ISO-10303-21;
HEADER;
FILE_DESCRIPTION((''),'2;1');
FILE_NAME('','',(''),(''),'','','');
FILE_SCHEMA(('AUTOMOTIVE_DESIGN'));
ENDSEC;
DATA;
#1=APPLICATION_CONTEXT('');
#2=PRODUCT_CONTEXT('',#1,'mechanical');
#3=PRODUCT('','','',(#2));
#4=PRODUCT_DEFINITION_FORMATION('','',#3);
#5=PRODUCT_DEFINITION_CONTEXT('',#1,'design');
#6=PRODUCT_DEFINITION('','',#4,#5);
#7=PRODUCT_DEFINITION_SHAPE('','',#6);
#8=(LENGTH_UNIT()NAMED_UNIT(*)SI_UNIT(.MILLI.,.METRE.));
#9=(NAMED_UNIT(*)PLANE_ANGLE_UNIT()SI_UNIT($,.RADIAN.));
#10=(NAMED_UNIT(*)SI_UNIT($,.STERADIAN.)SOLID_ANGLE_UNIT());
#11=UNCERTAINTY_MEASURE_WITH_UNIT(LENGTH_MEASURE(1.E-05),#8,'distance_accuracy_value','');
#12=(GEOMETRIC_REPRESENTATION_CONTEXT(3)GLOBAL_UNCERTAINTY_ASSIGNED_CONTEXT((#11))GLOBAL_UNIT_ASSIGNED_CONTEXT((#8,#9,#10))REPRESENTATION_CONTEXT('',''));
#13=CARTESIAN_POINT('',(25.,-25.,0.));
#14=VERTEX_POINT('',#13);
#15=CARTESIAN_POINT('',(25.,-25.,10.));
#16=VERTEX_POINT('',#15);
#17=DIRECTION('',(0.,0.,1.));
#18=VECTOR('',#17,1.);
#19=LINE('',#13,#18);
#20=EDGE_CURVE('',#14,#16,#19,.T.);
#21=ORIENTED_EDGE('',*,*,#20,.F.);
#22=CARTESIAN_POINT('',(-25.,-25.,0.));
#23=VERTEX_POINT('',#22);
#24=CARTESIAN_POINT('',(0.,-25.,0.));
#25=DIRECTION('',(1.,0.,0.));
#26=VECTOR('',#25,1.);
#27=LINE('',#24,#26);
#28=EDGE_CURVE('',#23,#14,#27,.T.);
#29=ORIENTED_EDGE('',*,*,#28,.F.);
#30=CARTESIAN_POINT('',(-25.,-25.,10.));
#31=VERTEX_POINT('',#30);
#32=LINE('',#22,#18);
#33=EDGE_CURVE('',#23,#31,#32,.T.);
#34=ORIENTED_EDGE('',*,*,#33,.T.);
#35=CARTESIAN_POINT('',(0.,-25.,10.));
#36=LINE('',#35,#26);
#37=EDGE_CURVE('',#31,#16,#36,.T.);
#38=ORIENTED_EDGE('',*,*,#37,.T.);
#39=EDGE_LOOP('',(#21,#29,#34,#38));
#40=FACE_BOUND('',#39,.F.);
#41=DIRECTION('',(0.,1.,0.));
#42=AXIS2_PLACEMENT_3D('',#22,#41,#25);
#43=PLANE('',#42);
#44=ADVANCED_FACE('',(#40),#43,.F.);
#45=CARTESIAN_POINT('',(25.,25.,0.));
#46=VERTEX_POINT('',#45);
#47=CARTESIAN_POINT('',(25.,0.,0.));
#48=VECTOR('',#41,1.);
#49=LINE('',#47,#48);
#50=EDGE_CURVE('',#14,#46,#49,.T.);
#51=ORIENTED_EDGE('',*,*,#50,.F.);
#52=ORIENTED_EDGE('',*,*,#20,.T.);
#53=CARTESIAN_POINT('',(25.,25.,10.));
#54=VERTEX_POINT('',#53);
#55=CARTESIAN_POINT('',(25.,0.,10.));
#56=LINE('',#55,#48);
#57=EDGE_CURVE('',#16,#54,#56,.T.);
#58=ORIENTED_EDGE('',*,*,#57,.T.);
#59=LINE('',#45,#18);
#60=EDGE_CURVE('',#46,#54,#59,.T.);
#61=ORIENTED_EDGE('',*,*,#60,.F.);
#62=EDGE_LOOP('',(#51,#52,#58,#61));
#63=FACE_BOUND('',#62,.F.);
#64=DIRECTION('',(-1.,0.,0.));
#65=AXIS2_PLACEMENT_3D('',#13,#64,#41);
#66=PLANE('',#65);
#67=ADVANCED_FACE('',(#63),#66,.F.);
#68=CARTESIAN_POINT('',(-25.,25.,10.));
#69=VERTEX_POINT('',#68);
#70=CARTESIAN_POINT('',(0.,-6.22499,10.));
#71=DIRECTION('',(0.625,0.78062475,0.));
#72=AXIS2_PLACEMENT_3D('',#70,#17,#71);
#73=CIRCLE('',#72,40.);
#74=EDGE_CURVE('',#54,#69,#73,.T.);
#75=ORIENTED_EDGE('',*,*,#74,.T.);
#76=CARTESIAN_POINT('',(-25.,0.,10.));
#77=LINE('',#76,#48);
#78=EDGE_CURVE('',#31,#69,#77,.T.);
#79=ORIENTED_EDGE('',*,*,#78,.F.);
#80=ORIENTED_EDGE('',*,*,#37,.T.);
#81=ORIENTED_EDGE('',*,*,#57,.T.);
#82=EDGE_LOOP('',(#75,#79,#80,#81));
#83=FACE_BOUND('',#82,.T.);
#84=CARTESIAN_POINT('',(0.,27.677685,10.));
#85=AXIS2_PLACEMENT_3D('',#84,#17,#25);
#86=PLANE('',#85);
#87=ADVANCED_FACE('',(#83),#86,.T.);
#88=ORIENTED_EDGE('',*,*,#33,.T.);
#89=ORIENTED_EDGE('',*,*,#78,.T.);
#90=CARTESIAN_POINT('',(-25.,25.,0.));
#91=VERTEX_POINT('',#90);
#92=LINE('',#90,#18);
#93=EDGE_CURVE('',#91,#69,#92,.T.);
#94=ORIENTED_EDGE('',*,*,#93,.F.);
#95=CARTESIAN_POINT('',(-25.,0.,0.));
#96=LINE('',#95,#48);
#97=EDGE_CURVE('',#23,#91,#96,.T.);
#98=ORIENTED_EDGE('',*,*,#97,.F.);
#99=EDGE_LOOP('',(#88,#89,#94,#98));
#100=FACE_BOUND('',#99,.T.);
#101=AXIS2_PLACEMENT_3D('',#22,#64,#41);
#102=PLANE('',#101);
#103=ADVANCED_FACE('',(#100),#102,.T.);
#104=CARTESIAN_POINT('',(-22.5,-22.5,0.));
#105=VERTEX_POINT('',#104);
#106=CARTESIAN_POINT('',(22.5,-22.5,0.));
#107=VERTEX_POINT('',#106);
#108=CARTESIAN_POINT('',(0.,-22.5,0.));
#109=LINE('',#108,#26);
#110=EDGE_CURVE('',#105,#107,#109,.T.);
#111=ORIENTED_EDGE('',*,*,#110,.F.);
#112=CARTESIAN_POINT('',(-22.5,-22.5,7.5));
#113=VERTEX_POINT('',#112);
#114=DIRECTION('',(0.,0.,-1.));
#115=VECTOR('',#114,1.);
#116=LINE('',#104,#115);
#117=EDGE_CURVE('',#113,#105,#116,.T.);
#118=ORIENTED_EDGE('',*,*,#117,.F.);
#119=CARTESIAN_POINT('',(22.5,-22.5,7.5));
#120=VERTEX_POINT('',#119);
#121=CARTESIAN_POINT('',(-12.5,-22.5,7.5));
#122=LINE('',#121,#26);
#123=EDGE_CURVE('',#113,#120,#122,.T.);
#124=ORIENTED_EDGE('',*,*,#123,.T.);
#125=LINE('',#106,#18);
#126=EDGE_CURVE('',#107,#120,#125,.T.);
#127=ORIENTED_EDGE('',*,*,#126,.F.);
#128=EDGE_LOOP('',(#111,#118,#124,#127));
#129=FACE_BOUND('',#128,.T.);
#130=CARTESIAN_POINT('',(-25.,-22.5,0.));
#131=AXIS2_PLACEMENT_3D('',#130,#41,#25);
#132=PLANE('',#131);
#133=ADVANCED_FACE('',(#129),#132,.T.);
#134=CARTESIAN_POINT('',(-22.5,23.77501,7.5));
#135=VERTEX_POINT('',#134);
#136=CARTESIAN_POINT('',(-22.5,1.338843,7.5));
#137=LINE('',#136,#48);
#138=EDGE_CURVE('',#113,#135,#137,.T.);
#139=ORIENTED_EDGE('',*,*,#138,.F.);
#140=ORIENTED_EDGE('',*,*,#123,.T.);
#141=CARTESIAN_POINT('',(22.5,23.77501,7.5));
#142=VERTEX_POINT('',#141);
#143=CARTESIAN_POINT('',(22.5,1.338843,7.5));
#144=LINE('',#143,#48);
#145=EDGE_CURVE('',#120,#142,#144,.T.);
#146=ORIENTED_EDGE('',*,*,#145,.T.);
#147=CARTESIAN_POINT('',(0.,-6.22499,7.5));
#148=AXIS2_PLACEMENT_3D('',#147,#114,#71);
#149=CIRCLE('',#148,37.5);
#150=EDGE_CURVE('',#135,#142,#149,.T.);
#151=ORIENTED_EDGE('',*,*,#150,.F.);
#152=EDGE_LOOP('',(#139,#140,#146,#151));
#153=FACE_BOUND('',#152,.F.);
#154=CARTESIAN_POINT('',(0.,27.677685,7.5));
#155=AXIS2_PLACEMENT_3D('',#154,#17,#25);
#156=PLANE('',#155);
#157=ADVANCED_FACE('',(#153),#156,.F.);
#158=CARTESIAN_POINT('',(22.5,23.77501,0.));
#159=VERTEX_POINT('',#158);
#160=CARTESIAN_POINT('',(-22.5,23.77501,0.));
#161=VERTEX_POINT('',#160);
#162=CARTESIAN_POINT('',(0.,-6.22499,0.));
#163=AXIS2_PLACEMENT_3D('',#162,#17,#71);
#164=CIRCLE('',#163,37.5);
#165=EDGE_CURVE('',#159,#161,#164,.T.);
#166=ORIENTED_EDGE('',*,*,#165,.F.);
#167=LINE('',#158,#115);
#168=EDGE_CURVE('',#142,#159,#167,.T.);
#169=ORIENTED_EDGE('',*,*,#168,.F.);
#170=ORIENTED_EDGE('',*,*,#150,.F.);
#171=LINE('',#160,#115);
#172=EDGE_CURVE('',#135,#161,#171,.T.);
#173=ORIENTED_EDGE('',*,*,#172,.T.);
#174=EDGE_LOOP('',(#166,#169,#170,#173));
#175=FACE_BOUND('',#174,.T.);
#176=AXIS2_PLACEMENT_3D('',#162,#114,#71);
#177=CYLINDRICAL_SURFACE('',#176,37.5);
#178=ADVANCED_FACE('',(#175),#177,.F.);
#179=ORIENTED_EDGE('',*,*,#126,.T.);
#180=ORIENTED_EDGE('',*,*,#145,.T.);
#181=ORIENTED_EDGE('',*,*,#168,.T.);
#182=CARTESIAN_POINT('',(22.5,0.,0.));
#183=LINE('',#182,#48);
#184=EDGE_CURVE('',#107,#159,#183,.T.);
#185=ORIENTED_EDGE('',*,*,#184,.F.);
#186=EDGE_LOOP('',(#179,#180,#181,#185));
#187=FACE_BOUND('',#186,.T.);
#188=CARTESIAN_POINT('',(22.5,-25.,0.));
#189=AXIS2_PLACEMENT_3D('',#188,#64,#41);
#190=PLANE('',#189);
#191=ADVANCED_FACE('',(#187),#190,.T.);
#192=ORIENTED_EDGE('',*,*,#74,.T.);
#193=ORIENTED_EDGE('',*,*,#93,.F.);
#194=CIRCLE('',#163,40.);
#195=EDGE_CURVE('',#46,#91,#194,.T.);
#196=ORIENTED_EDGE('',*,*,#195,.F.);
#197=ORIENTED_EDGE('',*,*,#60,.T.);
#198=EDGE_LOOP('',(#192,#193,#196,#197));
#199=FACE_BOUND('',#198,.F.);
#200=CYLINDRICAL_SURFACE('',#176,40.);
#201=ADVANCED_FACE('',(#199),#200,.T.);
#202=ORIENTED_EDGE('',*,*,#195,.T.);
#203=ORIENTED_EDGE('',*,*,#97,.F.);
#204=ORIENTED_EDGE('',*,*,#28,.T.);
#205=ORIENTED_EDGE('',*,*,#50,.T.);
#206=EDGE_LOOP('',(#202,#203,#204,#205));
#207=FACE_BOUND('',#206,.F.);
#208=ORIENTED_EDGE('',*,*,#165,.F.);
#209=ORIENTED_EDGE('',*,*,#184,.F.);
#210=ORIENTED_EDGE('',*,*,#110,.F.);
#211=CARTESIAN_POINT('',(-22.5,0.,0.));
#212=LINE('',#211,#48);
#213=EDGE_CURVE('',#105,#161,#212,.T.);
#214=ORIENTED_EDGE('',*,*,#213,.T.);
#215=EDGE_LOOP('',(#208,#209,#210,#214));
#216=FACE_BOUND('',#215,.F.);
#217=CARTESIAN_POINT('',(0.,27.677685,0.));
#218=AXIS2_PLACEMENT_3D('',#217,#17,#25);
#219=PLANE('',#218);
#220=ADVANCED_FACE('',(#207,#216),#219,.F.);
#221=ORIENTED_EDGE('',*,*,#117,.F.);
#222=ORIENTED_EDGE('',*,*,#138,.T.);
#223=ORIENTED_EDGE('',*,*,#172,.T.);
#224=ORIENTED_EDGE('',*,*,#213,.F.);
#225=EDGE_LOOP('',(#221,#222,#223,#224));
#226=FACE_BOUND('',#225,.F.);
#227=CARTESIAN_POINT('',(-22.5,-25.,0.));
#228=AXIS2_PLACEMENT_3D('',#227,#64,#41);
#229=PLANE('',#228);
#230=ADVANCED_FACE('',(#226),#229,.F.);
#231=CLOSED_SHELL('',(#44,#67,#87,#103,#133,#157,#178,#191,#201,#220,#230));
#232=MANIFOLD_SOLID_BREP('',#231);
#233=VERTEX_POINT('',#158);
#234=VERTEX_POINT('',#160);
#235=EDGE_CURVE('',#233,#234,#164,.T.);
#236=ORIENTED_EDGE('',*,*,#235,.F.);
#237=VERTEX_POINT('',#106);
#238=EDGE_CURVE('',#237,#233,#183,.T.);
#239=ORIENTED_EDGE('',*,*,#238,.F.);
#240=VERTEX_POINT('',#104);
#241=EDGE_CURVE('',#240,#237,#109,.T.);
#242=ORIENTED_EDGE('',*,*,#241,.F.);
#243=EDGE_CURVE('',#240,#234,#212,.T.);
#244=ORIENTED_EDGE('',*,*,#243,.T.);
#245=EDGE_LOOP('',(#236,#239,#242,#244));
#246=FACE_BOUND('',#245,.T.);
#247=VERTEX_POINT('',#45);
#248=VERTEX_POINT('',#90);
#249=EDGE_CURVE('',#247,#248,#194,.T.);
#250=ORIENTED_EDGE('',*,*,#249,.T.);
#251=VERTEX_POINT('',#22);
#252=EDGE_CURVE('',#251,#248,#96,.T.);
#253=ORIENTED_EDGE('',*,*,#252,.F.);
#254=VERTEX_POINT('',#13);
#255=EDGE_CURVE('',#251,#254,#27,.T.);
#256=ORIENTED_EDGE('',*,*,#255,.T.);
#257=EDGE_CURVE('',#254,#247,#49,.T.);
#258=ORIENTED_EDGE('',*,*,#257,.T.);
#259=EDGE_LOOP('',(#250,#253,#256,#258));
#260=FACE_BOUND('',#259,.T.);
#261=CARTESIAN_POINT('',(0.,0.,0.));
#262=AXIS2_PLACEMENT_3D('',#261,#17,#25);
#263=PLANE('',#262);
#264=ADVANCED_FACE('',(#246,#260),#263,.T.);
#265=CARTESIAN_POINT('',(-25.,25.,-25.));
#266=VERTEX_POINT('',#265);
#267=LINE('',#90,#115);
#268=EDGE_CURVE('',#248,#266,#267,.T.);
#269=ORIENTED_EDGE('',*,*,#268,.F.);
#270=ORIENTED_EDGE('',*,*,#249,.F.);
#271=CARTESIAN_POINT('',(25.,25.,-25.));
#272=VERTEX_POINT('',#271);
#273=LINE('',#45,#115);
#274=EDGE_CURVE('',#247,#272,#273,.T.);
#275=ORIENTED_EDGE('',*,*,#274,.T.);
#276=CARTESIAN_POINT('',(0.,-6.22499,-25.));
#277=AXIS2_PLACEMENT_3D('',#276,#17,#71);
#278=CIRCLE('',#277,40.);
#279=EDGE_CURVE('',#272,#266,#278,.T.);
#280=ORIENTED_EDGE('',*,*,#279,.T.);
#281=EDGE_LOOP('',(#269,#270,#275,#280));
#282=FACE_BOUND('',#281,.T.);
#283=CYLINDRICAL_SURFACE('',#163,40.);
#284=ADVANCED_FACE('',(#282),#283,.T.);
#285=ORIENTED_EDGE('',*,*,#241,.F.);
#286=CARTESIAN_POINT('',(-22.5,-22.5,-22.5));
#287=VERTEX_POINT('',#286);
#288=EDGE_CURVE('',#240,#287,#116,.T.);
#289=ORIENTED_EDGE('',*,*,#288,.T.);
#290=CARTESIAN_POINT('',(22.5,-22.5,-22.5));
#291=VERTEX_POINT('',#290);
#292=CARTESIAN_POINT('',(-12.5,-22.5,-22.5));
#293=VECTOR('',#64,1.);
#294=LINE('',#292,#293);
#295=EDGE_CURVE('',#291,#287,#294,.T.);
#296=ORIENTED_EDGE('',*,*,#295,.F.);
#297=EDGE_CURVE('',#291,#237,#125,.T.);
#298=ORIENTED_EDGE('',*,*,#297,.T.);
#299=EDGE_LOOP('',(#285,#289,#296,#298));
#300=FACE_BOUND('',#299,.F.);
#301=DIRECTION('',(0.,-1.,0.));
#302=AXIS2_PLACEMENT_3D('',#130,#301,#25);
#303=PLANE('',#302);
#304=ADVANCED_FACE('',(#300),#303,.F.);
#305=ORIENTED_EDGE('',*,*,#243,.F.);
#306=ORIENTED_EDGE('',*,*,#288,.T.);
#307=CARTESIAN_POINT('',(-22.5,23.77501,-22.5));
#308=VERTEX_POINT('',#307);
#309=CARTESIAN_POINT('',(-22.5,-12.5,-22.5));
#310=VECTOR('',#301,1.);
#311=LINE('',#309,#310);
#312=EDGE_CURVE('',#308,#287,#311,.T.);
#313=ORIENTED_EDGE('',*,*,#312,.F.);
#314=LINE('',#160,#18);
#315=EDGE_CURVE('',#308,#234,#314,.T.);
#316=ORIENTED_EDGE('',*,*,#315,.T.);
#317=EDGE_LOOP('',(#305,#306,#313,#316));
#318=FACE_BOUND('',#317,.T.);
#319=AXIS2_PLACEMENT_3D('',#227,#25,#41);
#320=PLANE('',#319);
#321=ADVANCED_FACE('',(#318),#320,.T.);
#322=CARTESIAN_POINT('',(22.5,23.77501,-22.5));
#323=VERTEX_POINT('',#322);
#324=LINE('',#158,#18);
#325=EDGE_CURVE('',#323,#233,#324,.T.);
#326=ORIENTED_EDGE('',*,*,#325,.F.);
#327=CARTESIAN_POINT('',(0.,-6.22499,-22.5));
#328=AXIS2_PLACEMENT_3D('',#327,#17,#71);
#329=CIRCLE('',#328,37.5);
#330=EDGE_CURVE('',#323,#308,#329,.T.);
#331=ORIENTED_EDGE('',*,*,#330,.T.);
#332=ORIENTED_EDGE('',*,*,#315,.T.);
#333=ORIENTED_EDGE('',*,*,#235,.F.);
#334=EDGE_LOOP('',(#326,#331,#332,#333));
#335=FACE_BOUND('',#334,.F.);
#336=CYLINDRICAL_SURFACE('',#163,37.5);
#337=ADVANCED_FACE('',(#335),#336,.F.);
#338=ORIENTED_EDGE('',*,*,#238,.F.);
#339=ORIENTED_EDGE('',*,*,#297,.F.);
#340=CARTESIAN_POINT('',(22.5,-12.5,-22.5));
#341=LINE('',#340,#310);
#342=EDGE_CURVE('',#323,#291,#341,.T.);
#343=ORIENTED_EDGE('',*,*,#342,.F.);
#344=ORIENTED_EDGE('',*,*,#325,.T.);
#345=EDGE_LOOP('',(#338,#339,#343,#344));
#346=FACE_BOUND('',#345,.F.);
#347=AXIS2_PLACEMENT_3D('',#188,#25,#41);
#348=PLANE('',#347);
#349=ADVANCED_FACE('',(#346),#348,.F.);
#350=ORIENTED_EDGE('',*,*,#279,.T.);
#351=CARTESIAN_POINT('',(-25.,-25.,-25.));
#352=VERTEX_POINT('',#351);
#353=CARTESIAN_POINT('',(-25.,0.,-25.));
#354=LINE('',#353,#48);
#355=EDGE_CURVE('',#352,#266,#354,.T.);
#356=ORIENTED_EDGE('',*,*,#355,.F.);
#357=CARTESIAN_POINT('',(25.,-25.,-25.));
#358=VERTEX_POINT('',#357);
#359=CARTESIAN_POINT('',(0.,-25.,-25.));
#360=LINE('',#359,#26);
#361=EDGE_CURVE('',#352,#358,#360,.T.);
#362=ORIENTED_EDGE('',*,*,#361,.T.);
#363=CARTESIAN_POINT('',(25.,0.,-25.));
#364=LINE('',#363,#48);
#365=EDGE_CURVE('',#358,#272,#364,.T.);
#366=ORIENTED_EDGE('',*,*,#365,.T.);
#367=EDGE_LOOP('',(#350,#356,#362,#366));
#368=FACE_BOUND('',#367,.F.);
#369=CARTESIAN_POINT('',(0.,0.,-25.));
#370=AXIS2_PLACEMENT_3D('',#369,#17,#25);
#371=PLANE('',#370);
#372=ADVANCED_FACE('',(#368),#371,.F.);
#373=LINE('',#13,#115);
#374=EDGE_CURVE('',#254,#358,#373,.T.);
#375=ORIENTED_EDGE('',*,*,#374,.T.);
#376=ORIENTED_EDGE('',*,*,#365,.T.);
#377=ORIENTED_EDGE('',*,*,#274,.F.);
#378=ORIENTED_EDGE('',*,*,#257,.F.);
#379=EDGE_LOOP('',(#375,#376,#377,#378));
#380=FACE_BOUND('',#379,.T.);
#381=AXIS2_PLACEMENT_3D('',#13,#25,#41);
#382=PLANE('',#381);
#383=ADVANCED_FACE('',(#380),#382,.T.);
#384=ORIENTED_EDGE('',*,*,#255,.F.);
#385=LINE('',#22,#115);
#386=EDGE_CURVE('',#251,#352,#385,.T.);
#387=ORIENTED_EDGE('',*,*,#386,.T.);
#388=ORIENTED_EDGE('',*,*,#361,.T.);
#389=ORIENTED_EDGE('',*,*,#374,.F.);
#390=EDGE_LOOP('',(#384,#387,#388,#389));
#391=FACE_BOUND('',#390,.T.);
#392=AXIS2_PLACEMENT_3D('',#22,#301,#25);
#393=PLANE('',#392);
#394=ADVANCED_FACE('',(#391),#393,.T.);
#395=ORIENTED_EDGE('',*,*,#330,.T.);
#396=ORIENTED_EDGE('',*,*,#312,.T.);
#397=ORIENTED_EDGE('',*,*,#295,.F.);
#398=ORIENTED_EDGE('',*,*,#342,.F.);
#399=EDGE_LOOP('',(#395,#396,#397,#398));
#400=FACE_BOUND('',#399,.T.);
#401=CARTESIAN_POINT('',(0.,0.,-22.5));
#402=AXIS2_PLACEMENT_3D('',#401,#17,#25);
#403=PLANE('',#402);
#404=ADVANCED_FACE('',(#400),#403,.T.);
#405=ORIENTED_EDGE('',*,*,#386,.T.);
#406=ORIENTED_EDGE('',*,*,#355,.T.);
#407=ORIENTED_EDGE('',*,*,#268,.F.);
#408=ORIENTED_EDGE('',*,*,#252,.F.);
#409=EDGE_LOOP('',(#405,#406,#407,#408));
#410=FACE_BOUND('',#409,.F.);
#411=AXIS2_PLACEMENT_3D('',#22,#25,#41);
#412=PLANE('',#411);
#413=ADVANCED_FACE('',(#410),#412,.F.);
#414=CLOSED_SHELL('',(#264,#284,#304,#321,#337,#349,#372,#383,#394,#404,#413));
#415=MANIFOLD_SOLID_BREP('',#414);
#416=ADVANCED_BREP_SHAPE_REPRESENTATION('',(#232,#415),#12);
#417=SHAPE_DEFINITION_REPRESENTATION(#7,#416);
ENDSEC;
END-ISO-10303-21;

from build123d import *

# Parameters (mm, degrees)
F0_W     = 50
F0_H     = 50
F1_DEPTH = 25
F2_DEPTH = 10
F3_T     = -2.5
F3_2_T   = -2.5


with BuildPart() as f1:
    # F0 (on Top) → F1 (new body)
    with BuildSketch(Plane.XY):
        Rectangle(F0_W, F0_H)
        with BuildLine():
            ThreePointArc((25, 25), (0, 33.775010008), (-25, 25))
            Line((-25, 25), (25, 25))
        make_face()
    extrude(amount=-F1_DEPTH)

    # F3
    f3_openings = [f1.faces().sort_by_distance(p)[0] for p in [
        (0, 3.054648, 0),
    ]]
    offset(amount=F3_T, openings=f3_openings)


with BuildPart() as f2:
    # F0 (on Top) → F2 (new body)
    with BuildSketch(Plane.XY):
        with BuildLine():
            ThreePointArc((25, 25), (0, 33.775010008), (-25, 25))
            Line((-25, 25), (25, 25))
        make_face()
        Rectangle(F0_W, F0_H)
    extrude(amount=F2_DEPTH)

    # F3#2
    f3_2_openings = [f2.faces().sort_by_distance(p)[0] for p in [
        (0, 3.054648, 0),
    ]]
    offset(amount=F3_2_T, openings=f3_2_openings)


solid = Compound([f1.part, f2.part])
